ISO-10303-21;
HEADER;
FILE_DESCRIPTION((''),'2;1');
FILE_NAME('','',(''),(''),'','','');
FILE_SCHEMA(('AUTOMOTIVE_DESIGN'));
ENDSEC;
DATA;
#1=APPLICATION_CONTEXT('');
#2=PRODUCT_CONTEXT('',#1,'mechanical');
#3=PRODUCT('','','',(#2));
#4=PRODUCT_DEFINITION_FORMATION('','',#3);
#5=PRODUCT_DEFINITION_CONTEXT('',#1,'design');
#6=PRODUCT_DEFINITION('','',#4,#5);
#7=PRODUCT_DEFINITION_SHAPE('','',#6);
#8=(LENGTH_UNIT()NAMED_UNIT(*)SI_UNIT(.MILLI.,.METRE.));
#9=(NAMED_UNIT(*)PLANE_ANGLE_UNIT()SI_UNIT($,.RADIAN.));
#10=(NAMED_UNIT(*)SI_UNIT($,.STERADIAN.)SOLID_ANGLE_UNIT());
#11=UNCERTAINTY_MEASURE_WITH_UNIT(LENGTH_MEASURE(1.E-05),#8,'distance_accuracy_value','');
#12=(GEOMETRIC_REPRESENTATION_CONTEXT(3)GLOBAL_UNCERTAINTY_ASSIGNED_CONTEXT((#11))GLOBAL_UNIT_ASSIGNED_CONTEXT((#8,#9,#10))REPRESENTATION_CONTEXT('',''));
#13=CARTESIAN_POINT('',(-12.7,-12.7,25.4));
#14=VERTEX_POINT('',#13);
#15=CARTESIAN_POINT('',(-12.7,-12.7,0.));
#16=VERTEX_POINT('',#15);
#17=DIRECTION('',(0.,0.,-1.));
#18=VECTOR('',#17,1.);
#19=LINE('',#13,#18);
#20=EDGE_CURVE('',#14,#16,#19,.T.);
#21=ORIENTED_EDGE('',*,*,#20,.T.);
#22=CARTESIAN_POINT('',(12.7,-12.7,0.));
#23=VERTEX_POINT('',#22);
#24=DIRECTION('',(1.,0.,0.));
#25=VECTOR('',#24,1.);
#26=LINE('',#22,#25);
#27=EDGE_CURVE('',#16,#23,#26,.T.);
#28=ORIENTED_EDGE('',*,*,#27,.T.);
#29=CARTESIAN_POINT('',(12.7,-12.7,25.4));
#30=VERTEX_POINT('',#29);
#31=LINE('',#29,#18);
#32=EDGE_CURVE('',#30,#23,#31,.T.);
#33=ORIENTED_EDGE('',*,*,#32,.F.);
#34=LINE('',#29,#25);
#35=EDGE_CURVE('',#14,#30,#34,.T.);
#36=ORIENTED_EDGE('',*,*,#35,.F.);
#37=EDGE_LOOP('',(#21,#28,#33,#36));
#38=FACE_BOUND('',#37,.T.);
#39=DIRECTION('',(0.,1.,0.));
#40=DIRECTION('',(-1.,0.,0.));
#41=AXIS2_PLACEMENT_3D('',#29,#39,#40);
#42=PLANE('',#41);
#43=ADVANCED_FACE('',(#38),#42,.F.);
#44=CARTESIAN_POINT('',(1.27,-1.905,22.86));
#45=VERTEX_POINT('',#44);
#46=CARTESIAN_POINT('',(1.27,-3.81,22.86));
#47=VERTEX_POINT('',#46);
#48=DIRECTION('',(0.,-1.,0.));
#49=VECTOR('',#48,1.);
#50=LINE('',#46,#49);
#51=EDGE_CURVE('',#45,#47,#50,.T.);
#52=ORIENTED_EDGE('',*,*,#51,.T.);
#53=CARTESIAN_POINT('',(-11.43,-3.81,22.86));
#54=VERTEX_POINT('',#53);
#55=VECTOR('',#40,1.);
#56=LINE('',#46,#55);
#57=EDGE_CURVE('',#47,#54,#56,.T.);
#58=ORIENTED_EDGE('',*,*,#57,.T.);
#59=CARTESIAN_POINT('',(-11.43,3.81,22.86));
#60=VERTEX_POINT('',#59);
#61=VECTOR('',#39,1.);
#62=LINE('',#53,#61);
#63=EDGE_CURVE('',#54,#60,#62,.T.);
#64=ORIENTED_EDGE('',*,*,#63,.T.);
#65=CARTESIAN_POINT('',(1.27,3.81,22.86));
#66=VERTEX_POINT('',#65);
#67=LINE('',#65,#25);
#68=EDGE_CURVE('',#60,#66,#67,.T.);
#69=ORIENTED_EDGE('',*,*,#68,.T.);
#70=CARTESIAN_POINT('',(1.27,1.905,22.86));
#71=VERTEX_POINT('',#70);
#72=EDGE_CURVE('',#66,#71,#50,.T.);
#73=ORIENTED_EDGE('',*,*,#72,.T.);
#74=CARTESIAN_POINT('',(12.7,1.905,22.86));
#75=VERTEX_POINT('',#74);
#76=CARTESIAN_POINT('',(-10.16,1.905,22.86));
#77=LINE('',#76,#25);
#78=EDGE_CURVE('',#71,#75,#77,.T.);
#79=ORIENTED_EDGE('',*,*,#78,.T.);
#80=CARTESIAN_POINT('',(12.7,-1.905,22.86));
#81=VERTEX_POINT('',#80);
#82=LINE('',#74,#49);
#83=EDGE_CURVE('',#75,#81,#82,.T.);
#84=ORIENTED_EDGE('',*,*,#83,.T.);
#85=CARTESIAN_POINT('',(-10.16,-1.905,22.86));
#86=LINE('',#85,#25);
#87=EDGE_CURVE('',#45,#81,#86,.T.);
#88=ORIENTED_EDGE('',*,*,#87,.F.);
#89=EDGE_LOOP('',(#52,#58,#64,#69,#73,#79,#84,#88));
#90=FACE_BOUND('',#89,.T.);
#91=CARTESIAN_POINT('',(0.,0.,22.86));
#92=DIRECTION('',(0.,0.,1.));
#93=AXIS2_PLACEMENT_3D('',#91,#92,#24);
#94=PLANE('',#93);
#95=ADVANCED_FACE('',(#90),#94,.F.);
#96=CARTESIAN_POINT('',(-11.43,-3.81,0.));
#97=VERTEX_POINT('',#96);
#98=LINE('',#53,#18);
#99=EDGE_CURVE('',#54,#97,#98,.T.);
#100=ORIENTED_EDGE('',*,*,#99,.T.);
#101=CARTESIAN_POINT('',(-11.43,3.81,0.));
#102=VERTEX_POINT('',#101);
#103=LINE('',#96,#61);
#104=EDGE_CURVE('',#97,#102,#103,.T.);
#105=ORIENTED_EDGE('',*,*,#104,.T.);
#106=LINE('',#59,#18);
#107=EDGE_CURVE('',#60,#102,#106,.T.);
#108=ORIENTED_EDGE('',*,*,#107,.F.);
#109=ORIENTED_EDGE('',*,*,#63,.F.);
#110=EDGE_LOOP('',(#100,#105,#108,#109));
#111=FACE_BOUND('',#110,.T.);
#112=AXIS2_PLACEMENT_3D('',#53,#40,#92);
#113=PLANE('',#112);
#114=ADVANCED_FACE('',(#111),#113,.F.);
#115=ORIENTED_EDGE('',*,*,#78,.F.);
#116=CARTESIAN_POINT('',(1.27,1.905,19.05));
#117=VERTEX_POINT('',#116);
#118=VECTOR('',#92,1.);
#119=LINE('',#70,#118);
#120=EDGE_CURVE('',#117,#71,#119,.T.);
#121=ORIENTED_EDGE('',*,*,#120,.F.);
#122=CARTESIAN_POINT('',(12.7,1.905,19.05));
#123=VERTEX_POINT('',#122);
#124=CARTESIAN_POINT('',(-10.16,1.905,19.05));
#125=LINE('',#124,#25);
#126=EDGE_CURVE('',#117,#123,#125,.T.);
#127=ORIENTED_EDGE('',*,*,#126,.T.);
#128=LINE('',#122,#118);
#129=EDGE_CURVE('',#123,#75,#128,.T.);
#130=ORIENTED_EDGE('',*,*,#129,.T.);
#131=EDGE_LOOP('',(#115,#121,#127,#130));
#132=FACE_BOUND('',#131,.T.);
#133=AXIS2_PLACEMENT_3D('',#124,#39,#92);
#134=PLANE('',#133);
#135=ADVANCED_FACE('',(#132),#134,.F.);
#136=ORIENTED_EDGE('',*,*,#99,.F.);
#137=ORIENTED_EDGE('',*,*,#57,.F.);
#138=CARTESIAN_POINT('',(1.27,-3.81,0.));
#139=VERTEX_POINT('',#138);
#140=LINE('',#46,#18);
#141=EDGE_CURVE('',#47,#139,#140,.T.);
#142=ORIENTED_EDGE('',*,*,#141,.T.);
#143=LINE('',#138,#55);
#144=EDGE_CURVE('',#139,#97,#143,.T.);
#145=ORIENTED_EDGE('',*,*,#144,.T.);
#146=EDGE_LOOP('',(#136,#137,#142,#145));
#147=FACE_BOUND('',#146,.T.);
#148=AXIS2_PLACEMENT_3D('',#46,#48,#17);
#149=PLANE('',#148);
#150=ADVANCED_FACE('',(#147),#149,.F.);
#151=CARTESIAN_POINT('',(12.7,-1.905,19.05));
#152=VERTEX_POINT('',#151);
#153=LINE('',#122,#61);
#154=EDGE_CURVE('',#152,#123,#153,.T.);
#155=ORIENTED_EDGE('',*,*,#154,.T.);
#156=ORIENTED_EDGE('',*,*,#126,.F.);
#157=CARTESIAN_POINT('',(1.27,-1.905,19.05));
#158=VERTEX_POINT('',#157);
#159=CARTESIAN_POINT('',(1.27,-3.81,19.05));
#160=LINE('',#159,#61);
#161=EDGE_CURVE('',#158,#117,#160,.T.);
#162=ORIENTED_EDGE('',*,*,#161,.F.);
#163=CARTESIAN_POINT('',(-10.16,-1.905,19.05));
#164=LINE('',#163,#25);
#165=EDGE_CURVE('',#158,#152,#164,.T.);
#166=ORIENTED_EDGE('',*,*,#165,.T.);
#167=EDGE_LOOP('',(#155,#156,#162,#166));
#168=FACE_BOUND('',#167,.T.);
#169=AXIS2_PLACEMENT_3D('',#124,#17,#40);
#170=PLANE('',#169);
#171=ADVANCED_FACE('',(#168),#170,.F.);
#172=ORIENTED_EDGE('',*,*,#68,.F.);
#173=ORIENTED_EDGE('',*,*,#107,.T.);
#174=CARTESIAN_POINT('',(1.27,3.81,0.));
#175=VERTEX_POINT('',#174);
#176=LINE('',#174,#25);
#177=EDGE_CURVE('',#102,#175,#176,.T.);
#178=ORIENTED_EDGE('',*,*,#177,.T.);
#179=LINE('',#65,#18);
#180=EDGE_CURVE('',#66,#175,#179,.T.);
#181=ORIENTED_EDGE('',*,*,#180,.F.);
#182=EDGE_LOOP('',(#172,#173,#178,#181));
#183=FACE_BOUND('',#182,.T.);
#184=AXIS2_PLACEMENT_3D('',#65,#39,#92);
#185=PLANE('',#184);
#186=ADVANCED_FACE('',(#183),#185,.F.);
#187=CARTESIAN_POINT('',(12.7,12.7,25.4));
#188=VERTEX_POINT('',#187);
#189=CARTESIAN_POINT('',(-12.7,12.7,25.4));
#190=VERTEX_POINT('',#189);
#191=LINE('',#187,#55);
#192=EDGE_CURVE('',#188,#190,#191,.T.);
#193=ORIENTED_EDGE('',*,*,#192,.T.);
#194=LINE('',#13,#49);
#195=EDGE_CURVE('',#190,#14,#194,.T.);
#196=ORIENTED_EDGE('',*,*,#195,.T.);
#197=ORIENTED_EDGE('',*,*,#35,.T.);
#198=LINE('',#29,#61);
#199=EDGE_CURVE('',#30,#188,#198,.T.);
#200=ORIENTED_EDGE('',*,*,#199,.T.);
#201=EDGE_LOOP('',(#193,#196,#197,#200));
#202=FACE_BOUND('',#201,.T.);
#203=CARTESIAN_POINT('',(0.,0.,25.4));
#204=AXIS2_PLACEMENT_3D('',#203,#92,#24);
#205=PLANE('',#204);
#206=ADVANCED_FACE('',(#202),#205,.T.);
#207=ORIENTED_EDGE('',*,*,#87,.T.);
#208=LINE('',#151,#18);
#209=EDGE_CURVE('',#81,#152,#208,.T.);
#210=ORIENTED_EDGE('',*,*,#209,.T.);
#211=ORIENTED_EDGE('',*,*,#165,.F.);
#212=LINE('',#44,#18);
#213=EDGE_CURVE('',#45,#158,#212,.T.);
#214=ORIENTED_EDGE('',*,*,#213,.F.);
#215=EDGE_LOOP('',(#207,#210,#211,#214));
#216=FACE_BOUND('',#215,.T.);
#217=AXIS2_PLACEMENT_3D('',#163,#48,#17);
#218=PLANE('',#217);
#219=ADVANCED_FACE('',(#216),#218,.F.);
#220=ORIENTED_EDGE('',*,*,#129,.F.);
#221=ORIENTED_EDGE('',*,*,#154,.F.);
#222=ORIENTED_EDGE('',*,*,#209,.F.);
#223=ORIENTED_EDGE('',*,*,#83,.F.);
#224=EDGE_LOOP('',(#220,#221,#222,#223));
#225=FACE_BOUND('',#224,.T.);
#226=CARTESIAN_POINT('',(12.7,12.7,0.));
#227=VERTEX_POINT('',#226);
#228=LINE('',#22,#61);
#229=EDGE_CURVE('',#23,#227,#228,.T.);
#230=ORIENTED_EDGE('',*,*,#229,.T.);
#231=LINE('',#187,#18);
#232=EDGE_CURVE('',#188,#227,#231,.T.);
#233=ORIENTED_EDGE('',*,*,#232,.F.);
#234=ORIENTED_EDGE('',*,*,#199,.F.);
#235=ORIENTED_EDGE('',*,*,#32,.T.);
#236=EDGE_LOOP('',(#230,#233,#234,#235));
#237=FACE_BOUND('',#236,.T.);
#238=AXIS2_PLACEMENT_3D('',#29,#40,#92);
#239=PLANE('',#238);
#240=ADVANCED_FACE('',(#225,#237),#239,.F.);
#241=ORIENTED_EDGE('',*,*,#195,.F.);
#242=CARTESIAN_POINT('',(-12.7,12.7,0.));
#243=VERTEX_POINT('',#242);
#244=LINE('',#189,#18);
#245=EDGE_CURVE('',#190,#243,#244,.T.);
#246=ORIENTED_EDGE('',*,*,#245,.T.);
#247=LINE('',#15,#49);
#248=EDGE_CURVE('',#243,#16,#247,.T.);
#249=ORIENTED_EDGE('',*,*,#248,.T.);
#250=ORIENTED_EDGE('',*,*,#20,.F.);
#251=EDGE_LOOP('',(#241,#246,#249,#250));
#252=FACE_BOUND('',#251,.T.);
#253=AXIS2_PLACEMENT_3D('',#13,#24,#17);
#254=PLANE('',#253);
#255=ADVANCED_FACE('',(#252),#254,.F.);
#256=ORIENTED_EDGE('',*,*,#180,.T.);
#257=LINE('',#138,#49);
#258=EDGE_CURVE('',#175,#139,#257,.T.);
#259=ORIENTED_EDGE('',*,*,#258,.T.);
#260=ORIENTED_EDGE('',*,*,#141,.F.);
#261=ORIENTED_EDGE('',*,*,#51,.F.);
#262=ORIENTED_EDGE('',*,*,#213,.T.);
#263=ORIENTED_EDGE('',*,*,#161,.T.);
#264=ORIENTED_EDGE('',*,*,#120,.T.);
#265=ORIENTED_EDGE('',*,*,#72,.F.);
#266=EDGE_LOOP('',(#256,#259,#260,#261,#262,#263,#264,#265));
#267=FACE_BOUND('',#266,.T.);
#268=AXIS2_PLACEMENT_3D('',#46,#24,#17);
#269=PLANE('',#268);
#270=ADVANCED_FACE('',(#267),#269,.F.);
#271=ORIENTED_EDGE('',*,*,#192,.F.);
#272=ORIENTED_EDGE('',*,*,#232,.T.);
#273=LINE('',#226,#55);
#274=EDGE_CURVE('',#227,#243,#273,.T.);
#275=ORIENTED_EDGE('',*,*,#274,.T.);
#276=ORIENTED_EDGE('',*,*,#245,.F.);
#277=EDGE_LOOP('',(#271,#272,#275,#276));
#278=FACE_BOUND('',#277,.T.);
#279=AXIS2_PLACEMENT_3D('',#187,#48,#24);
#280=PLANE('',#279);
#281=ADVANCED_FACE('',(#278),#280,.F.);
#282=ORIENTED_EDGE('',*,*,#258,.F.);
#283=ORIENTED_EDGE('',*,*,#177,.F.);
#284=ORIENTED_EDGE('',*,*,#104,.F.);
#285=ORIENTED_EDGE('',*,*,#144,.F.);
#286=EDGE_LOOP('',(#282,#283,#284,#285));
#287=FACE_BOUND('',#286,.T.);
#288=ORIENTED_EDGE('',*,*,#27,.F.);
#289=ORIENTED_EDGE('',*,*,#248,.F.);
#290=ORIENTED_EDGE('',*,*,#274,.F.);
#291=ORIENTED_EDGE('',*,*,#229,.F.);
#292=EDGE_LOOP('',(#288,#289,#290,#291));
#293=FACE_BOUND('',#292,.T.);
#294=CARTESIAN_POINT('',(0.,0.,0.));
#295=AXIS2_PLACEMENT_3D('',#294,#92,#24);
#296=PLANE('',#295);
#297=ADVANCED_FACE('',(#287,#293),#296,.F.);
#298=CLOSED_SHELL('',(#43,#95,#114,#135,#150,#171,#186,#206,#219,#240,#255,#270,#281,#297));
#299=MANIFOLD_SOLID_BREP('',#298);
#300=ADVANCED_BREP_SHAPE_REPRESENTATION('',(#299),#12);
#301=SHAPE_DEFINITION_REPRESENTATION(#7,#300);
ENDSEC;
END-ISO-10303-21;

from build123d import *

# Parameters (mm, degrees)
SKETCH1_W           = 25.4
SKETCH1_H           = 25.4
BOSS_EXTRUDE1_DEPTH = 25.4
SKETCH2_W           = 12.7
SKETCH2_H           = 7.62
CUT_EXTRUDE1_DEPTH  = 22.86
SKETCH3_W           = 3.81
SKETCH3_H           = 3.81
CUT_EXTRUDE2_DEPTH  = 22.86


with BuildPart() as part:
    # Sketch1 → Boss-Extrude1 (new body)
    with BuildSketch(Plane.XY):
        Rectangle(SKETCH1_W, SKETCH1_H)
    extrude(amount=BOSS_EXTRUDE1_DEPTH)

    # Sketch2 → Cut-Extrude1 (cut)
    with BuildSketch(Plane(origin=(0, 0, 0), x_dir=(-1, 0, 0), z_dir=(0, 0, -1))):
        with Locations((5.08, 0)):
            Rectangle(SKETCH2_W, SKETCH2_H)
    extrude(amount=-CUT_EXTRUDE1_DEPTH, mode=Mode.SUBTRACT)

    # Sketch3 → Cut-Extrude2 (cut)
    with BuildSketch(Plane(origin=(12.7, 0, 0), x_dir=(0, 0, -1), z_dir=(1, 0, 0))):
        with Locations((-20.955, 0)):
            Rectangle(SKETCH3_W, SKETCH3_H)
    extrude(amount=-CUT_EXTRUDE2_DEPTH, mode=Mode.SUBTRACT)


solid = part.part
